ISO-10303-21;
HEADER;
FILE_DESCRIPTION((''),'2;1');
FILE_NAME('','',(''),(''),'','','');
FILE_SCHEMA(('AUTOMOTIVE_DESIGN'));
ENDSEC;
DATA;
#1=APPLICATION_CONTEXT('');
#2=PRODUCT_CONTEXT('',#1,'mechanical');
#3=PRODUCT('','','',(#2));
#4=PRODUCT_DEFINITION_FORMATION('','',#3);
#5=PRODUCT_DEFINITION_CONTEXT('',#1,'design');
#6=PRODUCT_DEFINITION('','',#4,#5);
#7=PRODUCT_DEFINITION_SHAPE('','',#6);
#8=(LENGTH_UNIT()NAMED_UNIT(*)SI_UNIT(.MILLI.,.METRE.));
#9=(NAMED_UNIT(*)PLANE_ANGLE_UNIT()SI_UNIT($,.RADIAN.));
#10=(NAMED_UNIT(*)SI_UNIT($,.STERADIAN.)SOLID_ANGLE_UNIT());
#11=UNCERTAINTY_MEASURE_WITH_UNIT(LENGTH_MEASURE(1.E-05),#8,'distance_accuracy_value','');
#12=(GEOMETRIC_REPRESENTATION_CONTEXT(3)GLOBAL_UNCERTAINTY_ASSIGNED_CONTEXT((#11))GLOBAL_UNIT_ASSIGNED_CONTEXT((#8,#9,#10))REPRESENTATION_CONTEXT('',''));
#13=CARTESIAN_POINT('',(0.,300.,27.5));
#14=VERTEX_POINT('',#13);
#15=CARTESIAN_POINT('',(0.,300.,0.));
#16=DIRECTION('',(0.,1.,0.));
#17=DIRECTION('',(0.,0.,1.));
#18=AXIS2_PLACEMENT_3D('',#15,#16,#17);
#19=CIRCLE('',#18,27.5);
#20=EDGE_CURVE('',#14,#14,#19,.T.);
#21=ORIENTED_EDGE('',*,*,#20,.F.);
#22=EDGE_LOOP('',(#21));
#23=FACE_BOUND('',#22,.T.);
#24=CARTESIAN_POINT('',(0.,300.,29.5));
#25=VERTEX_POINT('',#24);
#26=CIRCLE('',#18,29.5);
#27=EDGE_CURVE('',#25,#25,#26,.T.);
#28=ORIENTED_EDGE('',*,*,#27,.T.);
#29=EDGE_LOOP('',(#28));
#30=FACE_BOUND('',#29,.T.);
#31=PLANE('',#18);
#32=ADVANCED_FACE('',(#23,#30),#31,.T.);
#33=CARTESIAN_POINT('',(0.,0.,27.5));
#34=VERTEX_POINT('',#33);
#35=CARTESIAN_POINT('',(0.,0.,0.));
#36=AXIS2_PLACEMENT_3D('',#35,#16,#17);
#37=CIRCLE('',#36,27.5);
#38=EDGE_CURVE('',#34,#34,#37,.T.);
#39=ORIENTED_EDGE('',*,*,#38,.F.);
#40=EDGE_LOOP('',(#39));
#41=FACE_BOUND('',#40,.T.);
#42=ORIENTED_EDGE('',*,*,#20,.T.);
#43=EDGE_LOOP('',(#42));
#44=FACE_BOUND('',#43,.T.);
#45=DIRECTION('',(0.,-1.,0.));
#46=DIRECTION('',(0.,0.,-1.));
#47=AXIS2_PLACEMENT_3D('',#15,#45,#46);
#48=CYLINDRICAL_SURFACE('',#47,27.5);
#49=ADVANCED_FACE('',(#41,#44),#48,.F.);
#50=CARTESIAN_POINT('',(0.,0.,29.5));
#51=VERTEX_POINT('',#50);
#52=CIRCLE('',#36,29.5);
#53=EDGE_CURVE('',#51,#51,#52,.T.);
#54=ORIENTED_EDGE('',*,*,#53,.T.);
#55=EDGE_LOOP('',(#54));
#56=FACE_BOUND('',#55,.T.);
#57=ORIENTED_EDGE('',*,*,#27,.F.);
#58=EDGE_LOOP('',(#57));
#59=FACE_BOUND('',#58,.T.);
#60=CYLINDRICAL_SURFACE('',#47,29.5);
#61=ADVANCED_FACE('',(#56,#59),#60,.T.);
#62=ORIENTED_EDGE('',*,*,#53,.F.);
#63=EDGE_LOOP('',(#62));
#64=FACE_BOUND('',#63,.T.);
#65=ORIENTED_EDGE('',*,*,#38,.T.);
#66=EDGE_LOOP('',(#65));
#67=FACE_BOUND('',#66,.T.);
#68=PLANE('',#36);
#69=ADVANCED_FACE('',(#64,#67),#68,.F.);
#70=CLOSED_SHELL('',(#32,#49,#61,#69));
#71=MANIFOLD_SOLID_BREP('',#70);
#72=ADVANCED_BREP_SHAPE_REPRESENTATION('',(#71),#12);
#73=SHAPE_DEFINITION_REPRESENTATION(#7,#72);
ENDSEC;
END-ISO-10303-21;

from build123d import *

# Parameters (mm, degrees)
SKETCH1_R           = 29.5
SKETCH1_R_2         = 27.5
BOSS_EXTRUDE1_DEPTH = 300


with BuildPart() as part:
    # Sketch1 → Boss-Extrude1 (new body)
    with BuildSketch(Plane(origin=(0, 0, 0), x_dir=(1, 0, 0), z_dir=(0, 1, 0))):
        Circle(SKETCH1_R)
        Circle(SKETCH1_R_2, mode=Mode.SUBTRACT)
    extrude(amount=BOSS_EXTRUDE1_DEPTH)


solid = part.part
